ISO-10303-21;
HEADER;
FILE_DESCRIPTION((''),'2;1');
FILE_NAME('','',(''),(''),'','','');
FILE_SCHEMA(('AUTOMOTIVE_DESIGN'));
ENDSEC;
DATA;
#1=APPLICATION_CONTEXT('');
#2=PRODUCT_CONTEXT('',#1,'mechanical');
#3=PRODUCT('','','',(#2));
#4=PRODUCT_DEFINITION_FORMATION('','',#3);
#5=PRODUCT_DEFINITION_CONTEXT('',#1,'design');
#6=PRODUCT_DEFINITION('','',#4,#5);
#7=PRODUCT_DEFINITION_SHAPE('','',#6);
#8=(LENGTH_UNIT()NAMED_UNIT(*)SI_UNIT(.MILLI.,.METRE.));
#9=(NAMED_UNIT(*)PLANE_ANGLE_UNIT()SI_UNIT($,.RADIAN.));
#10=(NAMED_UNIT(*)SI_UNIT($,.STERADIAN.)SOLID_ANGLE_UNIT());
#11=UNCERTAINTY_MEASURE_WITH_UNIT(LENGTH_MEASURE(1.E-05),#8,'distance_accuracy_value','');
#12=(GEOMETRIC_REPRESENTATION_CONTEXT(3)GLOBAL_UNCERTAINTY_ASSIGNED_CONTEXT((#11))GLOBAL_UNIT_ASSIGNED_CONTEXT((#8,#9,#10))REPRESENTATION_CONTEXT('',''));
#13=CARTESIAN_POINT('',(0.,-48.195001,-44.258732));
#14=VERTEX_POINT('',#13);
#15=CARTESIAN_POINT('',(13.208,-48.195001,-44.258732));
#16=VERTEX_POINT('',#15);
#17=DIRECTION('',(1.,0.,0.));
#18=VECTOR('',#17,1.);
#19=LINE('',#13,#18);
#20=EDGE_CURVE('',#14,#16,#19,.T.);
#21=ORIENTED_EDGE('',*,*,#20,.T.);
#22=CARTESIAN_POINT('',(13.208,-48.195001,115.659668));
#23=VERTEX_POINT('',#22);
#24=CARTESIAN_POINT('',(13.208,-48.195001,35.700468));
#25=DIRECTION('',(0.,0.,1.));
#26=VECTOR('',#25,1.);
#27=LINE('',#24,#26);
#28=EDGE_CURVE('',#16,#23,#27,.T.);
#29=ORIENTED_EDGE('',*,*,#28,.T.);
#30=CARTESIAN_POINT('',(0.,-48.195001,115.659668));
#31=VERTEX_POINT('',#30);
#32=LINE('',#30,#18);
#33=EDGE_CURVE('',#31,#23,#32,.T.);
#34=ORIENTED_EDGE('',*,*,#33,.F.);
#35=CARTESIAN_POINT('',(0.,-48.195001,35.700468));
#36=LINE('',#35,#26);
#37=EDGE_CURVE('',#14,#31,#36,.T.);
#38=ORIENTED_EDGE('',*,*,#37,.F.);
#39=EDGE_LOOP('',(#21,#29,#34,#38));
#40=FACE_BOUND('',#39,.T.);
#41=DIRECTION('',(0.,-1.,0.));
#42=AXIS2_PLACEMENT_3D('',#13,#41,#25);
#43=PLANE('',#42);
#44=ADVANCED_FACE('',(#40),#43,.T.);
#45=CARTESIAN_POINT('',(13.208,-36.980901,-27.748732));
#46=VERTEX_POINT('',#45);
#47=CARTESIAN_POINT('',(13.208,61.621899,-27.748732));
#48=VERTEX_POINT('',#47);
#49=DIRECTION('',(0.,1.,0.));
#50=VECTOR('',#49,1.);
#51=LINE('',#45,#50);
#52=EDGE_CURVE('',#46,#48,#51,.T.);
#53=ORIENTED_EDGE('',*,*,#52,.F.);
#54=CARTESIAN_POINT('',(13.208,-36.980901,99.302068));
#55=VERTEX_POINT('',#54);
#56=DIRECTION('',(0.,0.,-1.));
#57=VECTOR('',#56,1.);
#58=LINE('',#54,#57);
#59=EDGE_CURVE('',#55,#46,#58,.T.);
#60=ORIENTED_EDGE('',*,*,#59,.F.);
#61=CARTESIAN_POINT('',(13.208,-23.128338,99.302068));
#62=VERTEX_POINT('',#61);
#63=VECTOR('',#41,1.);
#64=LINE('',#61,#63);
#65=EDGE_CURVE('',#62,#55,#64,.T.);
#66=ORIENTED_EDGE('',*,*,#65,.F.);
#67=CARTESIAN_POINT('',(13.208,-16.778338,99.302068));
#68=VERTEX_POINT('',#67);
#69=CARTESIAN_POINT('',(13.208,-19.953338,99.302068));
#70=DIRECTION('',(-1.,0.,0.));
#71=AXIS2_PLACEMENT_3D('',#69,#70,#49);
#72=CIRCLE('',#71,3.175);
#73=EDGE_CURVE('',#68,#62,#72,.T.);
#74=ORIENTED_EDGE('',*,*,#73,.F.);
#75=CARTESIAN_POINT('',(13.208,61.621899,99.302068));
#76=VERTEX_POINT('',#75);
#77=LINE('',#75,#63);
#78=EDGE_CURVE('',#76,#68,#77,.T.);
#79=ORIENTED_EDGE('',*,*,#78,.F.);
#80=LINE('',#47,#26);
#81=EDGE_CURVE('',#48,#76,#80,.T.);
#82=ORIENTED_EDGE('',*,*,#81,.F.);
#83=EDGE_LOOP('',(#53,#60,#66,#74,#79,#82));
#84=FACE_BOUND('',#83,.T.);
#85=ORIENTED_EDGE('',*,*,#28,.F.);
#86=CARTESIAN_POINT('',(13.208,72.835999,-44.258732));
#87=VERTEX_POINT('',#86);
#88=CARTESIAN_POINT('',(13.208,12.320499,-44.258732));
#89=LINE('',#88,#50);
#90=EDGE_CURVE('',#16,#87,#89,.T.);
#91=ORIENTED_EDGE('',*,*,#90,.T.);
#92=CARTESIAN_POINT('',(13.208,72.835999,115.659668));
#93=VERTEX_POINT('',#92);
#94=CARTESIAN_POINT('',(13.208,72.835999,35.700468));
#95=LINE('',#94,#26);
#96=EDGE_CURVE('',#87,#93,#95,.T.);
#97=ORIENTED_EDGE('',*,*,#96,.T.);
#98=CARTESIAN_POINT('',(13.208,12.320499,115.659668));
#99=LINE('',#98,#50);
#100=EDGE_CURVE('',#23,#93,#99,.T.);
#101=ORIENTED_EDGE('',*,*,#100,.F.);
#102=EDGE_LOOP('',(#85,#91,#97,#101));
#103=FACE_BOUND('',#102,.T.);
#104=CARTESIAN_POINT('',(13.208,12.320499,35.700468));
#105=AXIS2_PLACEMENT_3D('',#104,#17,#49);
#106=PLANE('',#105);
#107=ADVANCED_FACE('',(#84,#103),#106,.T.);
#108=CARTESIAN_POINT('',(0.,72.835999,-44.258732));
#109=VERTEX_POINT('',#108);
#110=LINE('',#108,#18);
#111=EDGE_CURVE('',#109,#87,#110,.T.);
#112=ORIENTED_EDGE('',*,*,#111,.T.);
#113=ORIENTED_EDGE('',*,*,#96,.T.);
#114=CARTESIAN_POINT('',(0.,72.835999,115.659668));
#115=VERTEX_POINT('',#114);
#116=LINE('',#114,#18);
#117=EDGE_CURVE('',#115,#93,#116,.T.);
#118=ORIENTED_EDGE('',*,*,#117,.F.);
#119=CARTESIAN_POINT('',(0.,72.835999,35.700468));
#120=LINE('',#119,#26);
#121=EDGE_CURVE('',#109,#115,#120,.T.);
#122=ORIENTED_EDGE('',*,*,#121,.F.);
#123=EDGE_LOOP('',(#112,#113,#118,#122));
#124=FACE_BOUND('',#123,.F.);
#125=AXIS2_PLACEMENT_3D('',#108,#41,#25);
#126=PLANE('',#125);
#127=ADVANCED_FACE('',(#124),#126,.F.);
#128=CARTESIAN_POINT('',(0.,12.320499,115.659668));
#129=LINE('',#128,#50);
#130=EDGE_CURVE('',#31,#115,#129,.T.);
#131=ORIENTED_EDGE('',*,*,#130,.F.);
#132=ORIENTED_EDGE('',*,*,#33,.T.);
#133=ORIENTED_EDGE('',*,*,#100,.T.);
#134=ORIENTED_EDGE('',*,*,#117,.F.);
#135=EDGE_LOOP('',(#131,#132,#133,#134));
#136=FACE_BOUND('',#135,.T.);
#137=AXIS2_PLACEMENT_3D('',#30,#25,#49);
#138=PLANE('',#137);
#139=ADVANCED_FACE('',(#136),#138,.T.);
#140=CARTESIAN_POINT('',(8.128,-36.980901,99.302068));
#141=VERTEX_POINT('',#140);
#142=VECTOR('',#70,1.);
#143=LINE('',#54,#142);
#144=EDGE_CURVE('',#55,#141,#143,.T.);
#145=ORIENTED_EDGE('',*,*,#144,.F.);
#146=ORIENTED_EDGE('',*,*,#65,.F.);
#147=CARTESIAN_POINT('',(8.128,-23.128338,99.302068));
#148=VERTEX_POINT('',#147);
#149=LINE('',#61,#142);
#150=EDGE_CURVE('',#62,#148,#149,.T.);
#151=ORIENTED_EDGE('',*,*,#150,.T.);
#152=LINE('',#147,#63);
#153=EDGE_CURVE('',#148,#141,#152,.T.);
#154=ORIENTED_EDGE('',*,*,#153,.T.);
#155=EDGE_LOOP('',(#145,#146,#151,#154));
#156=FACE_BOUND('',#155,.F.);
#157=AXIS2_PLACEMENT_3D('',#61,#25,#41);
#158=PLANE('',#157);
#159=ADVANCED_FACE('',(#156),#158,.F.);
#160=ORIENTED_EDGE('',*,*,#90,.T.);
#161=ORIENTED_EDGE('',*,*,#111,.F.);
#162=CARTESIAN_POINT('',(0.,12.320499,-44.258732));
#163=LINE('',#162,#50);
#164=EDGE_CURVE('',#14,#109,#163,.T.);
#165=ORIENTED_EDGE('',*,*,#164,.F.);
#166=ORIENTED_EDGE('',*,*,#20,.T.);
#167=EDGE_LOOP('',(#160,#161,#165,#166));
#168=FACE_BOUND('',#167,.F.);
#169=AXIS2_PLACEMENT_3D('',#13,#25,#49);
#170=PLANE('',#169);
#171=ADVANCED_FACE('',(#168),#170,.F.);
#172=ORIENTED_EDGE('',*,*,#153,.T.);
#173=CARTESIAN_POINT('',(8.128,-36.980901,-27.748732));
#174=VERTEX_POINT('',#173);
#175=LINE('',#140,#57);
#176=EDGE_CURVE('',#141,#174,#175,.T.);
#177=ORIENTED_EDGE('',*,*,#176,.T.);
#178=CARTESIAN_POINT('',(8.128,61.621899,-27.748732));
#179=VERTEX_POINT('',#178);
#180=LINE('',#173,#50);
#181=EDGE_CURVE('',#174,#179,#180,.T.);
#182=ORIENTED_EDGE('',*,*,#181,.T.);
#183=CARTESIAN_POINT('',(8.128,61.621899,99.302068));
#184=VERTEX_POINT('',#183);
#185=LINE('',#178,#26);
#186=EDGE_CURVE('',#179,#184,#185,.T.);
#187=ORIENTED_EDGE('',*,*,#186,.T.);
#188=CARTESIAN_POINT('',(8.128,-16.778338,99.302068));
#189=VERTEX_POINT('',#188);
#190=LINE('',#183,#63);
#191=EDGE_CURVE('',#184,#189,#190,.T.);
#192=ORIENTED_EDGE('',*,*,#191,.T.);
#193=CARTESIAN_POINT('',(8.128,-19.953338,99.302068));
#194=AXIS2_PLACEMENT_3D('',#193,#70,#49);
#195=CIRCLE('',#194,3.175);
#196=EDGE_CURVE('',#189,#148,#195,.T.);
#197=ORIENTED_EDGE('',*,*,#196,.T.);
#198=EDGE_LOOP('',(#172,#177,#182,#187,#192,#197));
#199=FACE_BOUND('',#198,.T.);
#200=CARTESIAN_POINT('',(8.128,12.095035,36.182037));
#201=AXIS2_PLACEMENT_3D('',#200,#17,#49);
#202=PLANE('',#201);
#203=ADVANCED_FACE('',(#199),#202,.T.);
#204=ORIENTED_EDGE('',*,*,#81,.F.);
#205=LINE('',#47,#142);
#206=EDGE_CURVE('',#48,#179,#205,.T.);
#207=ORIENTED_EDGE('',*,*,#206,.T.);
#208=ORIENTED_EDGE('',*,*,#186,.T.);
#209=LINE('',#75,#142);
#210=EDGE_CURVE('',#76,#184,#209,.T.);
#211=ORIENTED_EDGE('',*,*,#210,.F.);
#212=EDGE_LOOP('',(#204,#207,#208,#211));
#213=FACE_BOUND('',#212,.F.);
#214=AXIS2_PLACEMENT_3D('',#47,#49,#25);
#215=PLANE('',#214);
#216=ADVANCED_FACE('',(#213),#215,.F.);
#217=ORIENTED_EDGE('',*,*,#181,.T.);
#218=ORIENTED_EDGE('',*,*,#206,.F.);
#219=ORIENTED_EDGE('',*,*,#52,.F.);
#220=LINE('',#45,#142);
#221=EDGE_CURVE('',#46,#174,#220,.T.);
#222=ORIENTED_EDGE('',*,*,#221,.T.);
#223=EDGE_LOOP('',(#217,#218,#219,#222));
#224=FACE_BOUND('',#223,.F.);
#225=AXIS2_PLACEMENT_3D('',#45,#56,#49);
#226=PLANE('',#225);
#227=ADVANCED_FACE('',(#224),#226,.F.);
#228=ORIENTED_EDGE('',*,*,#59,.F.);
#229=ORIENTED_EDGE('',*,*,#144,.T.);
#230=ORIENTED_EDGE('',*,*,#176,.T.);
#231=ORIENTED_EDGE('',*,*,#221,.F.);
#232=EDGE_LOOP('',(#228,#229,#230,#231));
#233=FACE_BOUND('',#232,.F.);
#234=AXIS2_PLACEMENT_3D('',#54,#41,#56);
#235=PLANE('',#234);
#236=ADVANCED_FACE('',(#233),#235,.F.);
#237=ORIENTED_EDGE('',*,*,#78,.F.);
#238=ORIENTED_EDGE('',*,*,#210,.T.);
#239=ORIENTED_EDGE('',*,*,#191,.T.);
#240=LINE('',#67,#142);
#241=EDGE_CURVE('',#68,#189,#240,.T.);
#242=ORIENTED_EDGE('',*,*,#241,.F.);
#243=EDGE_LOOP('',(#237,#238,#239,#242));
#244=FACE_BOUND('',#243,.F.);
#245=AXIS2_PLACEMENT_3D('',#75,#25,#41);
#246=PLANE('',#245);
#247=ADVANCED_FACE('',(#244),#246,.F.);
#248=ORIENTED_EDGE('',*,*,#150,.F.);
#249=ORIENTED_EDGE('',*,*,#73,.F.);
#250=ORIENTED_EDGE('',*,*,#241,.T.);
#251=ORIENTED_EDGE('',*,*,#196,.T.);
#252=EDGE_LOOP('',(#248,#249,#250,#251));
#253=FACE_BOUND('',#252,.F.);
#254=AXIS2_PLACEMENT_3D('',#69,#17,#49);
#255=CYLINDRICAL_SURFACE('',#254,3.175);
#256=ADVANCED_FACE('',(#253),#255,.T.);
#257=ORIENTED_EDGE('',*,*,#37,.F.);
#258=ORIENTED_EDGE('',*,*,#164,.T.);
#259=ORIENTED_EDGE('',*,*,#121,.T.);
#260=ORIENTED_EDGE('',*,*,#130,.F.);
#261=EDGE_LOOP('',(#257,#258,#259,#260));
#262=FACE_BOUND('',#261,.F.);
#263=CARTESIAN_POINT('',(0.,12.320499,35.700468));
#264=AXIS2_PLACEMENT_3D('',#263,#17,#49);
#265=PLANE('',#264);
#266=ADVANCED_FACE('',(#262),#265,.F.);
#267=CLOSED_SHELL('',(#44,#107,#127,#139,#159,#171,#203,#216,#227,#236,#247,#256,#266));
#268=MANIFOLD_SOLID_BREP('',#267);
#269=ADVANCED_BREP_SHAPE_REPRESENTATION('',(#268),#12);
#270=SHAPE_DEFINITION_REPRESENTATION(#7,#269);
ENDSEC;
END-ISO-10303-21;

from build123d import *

# Parameters (mm, degrees)
F0_W     = 121.031
F0_H     = 159.9184
F1_DEPTH = 13.208
F3_DEPTH = 5.08


with BuildPart() as f1:
    # F0 (on Right) → F1 (new body)
    with BuildSketch(Plane.YZ):
        with Locations((12.320499, 35.700468)):
            Rectangle(F0_W, F0_H)
    extrude(amount=F1_DEPTH)

    # F2 (on face) → F3 (cut)
    with BuildSketch(Plane.YZ.offset(13.208)):
        with BuildLine():
            Line((61.621899, 99.302068), (-16.778338, 99.302068))
            ThreePointArc((-16.778338, 99.302068), (-19.953338, 96.127068), (-23.128338, 99.302068))
            Line((-23.128338, 99.302068), (-36.980901, 99.302068))
            Line((-36.980901, 99.302068), (-36.980901, -27.748732))
            Line((-36.980901, -27.748732), (61.621899, -27.748732))
            Line((61.621899, -27.748732), (61.621899, 99.302068))
        make_face()
    extrude(amount=-F3_DEPTH, mode=Mode.SUBTRACT)


solid = f1.part
